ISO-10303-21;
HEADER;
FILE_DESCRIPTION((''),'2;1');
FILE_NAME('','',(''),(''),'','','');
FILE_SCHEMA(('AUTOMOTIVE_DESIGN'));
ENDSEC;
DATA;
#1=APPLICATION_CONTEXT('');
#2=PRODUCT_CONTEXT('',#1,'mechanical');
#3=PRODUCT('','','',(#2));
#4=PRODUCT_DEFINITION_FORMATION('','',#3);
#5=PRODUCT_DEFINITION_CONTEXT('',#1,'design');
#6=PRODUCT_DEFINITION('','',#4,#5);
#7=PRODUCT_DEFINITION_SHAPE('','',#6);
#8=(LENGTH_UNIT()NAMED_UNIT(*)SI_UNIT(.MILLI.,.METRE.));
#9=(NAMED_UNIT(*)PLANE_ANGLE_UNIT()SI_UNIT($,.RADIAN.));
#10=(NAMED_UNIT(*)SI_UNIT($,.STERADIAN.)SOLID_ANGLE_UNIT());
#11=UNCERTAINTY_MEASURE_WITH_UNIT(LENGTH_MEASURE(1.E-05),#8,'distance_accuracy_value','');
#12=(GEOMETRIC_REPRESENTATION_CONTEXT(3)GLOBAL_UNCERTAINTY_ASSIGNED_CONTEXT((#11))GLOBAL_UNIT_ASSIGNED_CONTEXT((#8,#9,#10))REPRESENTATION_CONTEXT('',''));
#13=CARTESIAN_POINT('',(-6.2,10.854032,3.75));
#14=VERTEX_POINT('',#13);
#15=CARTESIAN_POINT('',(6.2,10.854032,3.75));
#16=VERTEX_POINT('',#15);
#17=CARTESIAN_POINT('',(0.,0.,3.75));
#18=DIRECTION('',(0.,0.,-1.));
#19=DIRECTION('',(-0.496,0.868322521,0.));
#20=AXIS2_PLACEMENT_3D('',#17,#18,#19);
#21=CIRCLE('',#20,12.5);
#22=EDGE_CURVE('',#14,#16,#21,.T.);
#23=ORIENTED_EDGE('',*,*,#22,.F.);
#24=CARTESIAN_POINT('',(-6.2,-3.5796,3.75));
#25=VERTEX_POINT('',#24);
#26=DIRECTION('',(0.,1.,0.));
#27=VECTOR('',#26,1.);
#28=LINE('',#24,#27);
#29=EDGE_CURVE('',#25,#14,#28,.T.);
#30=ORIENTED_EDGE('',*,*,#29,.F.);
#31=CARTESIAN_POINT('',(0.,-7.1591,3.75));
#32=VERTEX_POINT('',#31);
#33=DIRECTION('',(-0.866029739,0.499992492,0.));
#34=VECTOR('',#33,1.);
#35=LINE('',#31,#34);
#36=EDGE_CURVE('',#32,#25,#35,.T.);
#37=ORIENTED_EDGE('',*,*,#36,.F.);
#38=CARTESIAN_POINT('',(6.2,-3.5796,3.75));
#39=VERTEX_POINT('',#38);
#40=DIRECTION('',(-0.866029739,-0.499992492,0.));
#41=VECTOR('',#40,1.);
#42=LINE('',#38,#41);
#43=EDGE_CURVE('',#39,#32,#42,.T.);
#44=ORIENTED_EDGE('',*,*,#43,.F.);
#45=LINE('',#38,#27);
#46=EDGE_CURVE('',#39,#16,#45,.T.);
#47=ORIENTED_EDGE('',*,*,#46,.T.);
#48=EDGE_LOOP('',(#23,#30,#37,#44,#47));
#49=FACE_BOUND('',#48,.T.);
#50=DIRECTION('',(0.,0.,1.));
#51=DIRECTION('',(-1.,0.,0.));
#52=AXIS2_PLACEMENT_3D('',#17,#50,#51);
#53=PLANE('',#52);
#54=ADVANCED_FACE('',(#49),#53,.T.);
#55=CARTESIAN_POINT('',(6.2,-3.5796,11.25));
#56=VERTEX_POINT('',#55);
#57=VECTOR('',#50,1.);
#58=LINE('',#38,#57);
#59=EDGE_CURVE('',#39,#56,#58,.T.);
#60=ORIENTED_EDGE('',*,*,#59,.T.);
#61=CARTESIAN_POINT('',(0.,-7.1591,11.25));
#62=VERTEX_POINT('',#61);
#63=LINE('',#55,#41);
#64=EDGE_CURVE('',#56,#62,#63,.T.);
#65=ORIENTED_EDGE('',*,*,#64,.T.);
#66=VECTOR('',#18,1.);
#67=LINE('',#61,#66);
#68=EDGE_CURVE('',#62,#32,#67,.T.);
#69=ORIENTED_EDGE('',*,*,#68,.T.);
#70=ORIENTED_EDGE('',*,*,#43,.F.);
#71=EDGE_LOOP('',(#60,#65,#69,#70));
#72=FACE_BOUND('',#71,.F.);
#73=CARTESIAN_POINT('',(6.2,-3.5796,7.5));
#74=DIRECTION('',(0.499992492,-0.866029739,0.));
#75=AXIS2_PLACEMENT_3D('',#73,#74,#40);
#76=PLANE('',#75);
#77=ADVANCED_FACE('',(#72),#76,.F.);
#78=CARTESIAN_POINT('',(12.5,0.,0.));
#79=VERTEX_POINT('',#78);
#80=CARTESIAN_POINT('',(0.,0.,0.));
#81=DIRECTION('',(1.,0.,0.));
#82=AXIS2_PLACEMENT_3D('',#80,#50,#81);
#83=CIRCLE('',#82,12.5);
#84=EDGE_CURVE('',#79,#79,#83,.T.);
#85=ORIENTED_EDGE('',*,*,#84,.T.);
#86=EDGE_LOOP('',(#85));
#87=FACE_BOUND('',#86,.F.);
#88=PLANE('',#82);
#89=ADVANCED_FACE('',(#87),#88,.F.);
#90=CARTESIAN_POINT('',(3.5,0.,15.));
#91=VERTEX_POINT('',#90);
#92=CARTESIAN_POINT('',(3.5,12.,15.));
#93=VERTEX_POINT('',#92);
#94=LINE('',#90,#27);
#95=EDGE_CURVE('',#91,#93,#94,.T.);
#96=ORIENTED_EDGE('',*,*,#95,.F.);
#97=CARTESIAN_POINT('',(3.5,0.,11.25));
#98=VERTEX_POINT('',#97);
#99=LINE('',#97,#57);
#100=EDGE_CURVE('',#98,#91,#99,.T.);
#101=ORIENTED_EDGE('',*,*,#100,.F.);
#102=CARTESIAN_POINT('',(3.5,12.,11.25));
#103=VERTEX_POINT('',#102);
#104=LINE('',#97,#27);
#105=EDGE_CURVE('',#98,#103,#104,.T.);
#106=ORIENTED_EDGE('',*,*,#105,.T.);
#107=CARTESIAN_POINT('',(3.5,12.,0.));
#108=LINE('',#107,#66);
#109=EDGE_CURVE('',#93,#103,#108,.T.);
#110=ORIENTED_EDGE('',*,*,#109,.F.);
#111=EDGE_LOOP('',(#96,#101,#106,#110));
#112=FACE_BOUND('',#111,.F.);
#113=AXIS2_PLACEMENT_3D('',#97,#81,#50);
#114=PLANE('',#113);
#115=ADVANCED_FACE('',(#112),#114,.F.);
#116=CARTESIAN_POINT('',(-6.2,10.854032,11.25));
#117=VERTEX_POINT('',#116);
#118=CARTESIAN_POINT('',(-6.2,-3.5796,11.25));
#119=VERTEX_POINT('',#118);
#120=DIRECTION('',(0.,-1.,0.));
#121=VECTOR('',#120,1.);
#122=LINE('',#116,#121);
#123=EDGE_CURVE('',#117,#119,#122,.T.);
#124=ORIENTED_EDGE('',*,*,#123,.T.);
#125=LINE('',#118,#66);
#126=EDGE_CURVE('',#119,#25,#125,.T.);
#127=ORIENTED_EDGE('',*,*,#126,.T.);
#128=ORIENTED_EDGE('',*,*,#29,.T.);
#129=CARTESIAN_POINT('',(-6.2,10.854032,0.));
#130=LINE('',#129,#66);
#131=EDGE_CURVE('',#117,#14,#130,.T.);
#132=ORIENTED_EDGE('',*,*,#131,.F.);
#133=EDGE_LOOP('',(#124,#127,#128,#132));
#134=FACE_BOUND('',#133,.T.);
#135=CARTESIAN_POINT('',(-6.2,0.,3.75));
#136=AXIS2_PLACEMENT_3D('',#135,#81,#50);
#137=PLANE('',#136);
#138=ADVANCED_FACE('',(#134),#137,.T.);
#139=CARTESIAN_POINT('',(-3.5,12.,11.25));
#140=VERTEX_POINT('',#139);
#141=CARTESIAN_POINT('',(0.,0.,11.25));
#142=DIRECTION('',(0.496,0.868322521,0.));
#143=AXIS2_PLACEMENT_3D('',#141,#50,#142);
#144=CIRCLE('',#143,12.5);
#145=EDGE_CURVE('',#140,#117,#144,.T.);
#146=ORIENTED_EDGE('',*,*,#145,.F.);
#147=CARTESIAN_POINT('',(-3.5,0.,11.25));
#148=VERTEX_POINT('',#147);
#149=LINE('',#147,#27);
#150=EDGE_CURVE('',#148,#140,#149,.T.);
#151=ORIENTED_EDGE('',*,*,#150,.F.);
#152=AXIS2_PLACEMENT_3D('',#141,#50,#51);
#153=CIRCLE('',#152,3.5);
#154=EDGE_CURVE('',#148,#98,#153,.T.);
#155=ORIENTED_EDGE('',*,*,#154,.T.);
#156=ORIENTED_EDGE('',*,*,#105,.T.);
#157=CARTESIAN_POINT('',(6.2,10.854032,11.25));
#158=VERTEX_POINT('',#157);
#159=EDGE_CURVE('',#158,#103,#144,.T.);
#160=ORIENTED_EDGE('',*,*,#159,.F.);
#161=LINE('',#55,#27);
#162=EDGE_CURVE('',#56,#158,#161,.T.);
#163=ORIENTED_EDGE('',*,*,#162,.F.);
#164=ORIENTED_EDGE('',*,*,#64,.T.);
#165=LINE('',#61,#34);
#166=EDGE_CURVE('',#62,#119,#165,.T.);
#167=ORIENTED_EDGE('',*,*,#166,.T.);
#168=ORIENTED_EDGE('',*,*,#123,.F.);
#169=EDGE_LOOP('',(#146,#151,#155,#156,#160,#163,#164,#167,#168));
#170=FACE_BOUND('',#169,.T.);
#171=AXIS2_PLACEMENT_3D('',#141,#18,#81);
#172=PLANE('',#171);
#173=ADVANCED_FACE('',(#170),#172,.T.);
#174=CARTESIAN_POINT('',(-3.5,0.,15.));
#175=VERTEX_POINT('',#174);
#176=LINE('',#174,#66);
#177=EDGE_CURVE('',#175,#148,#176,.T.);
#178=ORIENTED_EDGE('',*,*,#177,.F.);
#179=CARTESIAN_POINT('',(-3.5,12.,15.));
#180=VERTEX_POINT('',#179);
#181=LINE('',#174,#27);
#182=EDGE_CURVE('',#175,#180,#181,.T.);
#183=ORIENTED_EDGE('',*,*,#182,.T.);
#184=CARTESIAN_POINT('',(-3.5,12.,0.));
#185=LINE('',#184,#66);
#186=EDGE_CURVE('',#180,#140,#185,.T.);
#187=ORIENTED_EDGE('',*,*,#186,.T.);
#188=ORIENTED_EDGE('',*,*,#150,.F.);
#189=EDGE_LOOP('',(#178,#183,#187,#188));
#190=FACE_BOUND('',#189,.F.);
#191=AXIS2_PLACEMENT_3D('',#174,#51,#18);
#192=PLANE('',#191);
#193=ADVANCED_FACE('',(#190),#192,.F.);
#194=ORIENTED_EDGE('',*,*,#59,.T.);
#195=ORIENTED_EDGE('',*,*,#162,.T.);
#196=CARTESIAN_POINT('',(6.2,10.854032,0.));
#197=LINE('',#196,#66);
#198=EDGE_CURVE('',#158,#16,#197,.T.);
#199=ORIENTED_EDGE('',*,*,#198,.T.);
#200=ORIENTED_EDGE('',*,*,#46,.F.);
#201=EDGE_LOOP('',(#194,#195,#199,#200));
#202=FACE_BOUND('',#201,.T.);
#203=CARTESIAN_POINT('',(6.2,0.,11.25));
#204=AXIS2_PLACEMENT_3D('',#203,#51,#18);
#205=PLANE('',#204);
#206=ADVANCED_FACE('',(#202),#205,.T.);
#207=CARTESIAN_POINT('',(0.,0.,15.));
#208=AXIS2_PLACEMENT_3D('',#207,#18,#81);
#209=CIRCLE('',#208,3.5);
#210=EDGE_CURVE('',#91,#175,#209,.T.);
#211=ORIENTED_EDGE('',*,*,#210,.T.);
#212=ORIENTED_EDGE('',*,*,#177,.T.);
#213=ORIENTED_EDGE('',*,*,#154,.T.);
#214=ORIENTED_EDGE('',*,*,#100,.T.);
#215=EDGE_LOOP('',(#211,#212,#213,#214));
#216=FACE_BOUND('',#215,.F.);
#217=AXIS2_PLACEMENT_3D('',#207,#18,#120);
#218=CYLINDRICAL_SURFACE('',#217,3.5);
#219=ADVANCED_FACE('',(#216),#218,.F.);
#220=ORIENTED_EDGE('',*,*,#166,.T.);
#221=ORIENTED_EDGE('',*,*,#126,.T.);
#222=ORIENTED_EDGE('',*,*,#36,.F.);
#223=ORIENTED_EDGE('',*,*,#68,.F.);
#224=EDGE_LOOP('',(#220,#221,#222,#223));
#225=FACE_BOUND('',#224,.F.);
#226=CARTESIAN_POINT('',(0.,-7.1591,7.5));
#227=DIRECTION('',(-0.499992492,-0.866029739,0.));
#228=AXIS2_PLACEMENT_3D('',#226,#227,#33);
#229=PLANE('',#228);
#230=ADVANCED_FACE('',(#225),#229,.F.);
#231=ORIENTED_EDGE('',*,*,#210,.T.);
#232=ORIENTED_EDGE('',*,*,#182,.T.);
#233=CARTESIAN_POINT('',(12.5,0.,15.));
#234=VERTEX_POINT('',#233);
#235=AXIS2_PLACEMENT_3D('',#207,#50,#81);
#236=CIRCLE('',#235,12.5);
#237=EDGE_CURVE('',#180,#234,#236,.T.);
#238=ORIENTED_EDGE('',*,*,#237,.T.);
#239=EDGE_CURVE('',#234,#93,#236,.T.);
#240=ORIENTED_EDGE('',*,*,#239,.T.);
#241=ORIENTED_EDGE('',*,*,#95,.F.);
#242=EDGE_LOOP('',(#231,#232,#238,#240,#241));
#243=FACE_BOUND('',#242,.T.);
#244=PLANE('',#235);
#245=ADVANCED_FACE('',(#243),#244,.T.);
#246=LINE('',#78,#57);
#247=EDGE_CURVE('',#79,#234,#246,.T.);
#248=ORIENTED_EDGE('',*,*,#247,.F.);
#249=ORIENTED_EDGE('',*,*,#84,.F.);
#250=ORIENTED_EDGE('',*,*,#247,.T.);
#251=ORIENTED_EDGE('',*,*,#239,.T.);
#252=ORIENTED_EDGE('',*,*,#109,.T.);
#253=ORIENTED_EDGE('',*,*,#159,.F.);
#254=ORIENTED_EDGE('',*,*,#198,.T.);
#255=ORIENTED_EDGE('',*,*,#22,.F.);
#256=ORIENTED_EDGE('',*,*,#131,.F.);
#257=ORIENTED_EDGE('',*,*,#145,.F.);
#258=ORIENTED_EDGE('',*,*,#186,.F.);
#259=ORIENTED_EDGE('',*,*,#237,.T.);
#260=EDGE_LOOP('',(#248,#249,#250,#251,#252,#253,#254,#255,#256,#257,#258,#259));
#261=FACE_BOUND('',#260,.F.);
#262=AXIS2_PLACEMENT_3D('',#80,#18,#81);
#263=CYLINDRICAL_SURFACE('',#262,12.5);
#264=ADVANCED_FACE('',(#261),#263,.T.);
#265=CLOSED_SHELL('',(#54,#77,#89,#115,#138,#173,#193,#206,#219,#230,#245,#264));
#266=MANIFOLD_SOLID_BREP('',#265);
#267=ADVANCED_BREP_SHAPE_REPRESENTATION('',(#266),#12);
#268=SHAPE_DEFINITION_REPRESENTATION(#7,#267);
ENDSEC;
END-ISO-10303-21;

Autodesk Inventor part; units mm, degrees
ref_plane "YZ Plane" through (0, 0, 0) normal (1, 0, 0) x (0, 1, 0)
ref_plane "XZ Plane" through (0, 0, 0) normal (0, 1, 0) x (-1, 0, 0)
sketch "Sketch1" plane through (0, 0, 0) normal (0, 0, 1) x (1, 0, 0)
  point P0 (0, 0)
sketch "Sketch2" plane through (0, 0, 0) normal (0, 0, 1) x (1, 0, 0)
  circle A0 centre (0, 0) radius 12.5
  dimension "d0" = 25
extrude "Extrusion1" add sketch "Sketch2" along normal blind 15
ref_plane "Work Plane1" through (0, 0, 7.5) normal (0, 0, 1) x (1, 0, 0)
sketch "Sketch3" plane through (0, 0, 7.5) normal (0, 0, 1) x (1, 0, 0)
  line L0 (6.2, -3.5796) -> (0, -7.1591)
  line L1 (0, -7.1591) -> (-6.2, -3.5796)
  line L2 (-6.2, -3.5796) -> (-6.2, 3.5796)
  line L3 (-6.2, 3.5796) -> (0, 7.1591)
  line L4 (0, 7.1591) -> (6.2, 3.5796)
  line L5 (6.2, 3.5796) -> (6.2, -3.5796)
  point P0 (0, 0)
  point P1 (0, 0)
  dimension "d4" = 12.4
extrude "Extrusion2" cut sketch "Sketch3" along normal mid plane 7.5
sketch "Sketch4" plane through (0, 0, 0) normal (0, 1, 0) x (-1, 0, 0)
  line L0 (6.2, 11.25) -> (0, 11.25) projected
  line L1 (-6.2, 3.75) -> (0, 3.75) projected
  line L2 (6.2, 11.25) -> (-6.2, 11.25)
  line L3 (-6.2, 11.25) -> (-6.2, 3.75)
  line L4 (-6.2, 3.75) -> (6.2, 3.75)
  line L5 (6.2, 3.75) -> (6.2, 11.25)
  point P0 (0, 0)
extrude "Extrusion3" cut sketch "Sketch4" along normal blind 15
sketch "Sketch5" plane through (0, 0, 15) normal (0, 0, 1) x (1, 0, 0)
  circle A0 centre (0, 0) radius 12.5 projected
hole "Hole1" at (0, 0, 15) direction (0, 0, -1) diameter 7 depth 7.5
sketch "Sketch6" plane through (0, 0, 15) normal (0, 0, 1) x (1, 0, 0)
  point P0 (0, 0)
sketch "Sketch7" plane through (0, 0, 0) normal (0, 1, 0) x (-1, 0, 0)
  line L0 (3.5, 11.25) -> (-3.5, 11.25) projected
  line L1 (-3.5, 15) -> (3.5, 15) projected
  line L2 (3.5, 11.25) -> (-3.5, 11.25)
  line L3 (-3.5, 11.25) -> (-3.5, 15)
  line L4 (-3.5, 15) -> (3.5, 15)
  line L5 (3.5, 15) -> (3.5, 11.25)
  point P0 (0, 0)
extrude "Extrusion4" cut sketch "Sketch7" along normal blind 15
properties part number "Acople tornillo M8"
